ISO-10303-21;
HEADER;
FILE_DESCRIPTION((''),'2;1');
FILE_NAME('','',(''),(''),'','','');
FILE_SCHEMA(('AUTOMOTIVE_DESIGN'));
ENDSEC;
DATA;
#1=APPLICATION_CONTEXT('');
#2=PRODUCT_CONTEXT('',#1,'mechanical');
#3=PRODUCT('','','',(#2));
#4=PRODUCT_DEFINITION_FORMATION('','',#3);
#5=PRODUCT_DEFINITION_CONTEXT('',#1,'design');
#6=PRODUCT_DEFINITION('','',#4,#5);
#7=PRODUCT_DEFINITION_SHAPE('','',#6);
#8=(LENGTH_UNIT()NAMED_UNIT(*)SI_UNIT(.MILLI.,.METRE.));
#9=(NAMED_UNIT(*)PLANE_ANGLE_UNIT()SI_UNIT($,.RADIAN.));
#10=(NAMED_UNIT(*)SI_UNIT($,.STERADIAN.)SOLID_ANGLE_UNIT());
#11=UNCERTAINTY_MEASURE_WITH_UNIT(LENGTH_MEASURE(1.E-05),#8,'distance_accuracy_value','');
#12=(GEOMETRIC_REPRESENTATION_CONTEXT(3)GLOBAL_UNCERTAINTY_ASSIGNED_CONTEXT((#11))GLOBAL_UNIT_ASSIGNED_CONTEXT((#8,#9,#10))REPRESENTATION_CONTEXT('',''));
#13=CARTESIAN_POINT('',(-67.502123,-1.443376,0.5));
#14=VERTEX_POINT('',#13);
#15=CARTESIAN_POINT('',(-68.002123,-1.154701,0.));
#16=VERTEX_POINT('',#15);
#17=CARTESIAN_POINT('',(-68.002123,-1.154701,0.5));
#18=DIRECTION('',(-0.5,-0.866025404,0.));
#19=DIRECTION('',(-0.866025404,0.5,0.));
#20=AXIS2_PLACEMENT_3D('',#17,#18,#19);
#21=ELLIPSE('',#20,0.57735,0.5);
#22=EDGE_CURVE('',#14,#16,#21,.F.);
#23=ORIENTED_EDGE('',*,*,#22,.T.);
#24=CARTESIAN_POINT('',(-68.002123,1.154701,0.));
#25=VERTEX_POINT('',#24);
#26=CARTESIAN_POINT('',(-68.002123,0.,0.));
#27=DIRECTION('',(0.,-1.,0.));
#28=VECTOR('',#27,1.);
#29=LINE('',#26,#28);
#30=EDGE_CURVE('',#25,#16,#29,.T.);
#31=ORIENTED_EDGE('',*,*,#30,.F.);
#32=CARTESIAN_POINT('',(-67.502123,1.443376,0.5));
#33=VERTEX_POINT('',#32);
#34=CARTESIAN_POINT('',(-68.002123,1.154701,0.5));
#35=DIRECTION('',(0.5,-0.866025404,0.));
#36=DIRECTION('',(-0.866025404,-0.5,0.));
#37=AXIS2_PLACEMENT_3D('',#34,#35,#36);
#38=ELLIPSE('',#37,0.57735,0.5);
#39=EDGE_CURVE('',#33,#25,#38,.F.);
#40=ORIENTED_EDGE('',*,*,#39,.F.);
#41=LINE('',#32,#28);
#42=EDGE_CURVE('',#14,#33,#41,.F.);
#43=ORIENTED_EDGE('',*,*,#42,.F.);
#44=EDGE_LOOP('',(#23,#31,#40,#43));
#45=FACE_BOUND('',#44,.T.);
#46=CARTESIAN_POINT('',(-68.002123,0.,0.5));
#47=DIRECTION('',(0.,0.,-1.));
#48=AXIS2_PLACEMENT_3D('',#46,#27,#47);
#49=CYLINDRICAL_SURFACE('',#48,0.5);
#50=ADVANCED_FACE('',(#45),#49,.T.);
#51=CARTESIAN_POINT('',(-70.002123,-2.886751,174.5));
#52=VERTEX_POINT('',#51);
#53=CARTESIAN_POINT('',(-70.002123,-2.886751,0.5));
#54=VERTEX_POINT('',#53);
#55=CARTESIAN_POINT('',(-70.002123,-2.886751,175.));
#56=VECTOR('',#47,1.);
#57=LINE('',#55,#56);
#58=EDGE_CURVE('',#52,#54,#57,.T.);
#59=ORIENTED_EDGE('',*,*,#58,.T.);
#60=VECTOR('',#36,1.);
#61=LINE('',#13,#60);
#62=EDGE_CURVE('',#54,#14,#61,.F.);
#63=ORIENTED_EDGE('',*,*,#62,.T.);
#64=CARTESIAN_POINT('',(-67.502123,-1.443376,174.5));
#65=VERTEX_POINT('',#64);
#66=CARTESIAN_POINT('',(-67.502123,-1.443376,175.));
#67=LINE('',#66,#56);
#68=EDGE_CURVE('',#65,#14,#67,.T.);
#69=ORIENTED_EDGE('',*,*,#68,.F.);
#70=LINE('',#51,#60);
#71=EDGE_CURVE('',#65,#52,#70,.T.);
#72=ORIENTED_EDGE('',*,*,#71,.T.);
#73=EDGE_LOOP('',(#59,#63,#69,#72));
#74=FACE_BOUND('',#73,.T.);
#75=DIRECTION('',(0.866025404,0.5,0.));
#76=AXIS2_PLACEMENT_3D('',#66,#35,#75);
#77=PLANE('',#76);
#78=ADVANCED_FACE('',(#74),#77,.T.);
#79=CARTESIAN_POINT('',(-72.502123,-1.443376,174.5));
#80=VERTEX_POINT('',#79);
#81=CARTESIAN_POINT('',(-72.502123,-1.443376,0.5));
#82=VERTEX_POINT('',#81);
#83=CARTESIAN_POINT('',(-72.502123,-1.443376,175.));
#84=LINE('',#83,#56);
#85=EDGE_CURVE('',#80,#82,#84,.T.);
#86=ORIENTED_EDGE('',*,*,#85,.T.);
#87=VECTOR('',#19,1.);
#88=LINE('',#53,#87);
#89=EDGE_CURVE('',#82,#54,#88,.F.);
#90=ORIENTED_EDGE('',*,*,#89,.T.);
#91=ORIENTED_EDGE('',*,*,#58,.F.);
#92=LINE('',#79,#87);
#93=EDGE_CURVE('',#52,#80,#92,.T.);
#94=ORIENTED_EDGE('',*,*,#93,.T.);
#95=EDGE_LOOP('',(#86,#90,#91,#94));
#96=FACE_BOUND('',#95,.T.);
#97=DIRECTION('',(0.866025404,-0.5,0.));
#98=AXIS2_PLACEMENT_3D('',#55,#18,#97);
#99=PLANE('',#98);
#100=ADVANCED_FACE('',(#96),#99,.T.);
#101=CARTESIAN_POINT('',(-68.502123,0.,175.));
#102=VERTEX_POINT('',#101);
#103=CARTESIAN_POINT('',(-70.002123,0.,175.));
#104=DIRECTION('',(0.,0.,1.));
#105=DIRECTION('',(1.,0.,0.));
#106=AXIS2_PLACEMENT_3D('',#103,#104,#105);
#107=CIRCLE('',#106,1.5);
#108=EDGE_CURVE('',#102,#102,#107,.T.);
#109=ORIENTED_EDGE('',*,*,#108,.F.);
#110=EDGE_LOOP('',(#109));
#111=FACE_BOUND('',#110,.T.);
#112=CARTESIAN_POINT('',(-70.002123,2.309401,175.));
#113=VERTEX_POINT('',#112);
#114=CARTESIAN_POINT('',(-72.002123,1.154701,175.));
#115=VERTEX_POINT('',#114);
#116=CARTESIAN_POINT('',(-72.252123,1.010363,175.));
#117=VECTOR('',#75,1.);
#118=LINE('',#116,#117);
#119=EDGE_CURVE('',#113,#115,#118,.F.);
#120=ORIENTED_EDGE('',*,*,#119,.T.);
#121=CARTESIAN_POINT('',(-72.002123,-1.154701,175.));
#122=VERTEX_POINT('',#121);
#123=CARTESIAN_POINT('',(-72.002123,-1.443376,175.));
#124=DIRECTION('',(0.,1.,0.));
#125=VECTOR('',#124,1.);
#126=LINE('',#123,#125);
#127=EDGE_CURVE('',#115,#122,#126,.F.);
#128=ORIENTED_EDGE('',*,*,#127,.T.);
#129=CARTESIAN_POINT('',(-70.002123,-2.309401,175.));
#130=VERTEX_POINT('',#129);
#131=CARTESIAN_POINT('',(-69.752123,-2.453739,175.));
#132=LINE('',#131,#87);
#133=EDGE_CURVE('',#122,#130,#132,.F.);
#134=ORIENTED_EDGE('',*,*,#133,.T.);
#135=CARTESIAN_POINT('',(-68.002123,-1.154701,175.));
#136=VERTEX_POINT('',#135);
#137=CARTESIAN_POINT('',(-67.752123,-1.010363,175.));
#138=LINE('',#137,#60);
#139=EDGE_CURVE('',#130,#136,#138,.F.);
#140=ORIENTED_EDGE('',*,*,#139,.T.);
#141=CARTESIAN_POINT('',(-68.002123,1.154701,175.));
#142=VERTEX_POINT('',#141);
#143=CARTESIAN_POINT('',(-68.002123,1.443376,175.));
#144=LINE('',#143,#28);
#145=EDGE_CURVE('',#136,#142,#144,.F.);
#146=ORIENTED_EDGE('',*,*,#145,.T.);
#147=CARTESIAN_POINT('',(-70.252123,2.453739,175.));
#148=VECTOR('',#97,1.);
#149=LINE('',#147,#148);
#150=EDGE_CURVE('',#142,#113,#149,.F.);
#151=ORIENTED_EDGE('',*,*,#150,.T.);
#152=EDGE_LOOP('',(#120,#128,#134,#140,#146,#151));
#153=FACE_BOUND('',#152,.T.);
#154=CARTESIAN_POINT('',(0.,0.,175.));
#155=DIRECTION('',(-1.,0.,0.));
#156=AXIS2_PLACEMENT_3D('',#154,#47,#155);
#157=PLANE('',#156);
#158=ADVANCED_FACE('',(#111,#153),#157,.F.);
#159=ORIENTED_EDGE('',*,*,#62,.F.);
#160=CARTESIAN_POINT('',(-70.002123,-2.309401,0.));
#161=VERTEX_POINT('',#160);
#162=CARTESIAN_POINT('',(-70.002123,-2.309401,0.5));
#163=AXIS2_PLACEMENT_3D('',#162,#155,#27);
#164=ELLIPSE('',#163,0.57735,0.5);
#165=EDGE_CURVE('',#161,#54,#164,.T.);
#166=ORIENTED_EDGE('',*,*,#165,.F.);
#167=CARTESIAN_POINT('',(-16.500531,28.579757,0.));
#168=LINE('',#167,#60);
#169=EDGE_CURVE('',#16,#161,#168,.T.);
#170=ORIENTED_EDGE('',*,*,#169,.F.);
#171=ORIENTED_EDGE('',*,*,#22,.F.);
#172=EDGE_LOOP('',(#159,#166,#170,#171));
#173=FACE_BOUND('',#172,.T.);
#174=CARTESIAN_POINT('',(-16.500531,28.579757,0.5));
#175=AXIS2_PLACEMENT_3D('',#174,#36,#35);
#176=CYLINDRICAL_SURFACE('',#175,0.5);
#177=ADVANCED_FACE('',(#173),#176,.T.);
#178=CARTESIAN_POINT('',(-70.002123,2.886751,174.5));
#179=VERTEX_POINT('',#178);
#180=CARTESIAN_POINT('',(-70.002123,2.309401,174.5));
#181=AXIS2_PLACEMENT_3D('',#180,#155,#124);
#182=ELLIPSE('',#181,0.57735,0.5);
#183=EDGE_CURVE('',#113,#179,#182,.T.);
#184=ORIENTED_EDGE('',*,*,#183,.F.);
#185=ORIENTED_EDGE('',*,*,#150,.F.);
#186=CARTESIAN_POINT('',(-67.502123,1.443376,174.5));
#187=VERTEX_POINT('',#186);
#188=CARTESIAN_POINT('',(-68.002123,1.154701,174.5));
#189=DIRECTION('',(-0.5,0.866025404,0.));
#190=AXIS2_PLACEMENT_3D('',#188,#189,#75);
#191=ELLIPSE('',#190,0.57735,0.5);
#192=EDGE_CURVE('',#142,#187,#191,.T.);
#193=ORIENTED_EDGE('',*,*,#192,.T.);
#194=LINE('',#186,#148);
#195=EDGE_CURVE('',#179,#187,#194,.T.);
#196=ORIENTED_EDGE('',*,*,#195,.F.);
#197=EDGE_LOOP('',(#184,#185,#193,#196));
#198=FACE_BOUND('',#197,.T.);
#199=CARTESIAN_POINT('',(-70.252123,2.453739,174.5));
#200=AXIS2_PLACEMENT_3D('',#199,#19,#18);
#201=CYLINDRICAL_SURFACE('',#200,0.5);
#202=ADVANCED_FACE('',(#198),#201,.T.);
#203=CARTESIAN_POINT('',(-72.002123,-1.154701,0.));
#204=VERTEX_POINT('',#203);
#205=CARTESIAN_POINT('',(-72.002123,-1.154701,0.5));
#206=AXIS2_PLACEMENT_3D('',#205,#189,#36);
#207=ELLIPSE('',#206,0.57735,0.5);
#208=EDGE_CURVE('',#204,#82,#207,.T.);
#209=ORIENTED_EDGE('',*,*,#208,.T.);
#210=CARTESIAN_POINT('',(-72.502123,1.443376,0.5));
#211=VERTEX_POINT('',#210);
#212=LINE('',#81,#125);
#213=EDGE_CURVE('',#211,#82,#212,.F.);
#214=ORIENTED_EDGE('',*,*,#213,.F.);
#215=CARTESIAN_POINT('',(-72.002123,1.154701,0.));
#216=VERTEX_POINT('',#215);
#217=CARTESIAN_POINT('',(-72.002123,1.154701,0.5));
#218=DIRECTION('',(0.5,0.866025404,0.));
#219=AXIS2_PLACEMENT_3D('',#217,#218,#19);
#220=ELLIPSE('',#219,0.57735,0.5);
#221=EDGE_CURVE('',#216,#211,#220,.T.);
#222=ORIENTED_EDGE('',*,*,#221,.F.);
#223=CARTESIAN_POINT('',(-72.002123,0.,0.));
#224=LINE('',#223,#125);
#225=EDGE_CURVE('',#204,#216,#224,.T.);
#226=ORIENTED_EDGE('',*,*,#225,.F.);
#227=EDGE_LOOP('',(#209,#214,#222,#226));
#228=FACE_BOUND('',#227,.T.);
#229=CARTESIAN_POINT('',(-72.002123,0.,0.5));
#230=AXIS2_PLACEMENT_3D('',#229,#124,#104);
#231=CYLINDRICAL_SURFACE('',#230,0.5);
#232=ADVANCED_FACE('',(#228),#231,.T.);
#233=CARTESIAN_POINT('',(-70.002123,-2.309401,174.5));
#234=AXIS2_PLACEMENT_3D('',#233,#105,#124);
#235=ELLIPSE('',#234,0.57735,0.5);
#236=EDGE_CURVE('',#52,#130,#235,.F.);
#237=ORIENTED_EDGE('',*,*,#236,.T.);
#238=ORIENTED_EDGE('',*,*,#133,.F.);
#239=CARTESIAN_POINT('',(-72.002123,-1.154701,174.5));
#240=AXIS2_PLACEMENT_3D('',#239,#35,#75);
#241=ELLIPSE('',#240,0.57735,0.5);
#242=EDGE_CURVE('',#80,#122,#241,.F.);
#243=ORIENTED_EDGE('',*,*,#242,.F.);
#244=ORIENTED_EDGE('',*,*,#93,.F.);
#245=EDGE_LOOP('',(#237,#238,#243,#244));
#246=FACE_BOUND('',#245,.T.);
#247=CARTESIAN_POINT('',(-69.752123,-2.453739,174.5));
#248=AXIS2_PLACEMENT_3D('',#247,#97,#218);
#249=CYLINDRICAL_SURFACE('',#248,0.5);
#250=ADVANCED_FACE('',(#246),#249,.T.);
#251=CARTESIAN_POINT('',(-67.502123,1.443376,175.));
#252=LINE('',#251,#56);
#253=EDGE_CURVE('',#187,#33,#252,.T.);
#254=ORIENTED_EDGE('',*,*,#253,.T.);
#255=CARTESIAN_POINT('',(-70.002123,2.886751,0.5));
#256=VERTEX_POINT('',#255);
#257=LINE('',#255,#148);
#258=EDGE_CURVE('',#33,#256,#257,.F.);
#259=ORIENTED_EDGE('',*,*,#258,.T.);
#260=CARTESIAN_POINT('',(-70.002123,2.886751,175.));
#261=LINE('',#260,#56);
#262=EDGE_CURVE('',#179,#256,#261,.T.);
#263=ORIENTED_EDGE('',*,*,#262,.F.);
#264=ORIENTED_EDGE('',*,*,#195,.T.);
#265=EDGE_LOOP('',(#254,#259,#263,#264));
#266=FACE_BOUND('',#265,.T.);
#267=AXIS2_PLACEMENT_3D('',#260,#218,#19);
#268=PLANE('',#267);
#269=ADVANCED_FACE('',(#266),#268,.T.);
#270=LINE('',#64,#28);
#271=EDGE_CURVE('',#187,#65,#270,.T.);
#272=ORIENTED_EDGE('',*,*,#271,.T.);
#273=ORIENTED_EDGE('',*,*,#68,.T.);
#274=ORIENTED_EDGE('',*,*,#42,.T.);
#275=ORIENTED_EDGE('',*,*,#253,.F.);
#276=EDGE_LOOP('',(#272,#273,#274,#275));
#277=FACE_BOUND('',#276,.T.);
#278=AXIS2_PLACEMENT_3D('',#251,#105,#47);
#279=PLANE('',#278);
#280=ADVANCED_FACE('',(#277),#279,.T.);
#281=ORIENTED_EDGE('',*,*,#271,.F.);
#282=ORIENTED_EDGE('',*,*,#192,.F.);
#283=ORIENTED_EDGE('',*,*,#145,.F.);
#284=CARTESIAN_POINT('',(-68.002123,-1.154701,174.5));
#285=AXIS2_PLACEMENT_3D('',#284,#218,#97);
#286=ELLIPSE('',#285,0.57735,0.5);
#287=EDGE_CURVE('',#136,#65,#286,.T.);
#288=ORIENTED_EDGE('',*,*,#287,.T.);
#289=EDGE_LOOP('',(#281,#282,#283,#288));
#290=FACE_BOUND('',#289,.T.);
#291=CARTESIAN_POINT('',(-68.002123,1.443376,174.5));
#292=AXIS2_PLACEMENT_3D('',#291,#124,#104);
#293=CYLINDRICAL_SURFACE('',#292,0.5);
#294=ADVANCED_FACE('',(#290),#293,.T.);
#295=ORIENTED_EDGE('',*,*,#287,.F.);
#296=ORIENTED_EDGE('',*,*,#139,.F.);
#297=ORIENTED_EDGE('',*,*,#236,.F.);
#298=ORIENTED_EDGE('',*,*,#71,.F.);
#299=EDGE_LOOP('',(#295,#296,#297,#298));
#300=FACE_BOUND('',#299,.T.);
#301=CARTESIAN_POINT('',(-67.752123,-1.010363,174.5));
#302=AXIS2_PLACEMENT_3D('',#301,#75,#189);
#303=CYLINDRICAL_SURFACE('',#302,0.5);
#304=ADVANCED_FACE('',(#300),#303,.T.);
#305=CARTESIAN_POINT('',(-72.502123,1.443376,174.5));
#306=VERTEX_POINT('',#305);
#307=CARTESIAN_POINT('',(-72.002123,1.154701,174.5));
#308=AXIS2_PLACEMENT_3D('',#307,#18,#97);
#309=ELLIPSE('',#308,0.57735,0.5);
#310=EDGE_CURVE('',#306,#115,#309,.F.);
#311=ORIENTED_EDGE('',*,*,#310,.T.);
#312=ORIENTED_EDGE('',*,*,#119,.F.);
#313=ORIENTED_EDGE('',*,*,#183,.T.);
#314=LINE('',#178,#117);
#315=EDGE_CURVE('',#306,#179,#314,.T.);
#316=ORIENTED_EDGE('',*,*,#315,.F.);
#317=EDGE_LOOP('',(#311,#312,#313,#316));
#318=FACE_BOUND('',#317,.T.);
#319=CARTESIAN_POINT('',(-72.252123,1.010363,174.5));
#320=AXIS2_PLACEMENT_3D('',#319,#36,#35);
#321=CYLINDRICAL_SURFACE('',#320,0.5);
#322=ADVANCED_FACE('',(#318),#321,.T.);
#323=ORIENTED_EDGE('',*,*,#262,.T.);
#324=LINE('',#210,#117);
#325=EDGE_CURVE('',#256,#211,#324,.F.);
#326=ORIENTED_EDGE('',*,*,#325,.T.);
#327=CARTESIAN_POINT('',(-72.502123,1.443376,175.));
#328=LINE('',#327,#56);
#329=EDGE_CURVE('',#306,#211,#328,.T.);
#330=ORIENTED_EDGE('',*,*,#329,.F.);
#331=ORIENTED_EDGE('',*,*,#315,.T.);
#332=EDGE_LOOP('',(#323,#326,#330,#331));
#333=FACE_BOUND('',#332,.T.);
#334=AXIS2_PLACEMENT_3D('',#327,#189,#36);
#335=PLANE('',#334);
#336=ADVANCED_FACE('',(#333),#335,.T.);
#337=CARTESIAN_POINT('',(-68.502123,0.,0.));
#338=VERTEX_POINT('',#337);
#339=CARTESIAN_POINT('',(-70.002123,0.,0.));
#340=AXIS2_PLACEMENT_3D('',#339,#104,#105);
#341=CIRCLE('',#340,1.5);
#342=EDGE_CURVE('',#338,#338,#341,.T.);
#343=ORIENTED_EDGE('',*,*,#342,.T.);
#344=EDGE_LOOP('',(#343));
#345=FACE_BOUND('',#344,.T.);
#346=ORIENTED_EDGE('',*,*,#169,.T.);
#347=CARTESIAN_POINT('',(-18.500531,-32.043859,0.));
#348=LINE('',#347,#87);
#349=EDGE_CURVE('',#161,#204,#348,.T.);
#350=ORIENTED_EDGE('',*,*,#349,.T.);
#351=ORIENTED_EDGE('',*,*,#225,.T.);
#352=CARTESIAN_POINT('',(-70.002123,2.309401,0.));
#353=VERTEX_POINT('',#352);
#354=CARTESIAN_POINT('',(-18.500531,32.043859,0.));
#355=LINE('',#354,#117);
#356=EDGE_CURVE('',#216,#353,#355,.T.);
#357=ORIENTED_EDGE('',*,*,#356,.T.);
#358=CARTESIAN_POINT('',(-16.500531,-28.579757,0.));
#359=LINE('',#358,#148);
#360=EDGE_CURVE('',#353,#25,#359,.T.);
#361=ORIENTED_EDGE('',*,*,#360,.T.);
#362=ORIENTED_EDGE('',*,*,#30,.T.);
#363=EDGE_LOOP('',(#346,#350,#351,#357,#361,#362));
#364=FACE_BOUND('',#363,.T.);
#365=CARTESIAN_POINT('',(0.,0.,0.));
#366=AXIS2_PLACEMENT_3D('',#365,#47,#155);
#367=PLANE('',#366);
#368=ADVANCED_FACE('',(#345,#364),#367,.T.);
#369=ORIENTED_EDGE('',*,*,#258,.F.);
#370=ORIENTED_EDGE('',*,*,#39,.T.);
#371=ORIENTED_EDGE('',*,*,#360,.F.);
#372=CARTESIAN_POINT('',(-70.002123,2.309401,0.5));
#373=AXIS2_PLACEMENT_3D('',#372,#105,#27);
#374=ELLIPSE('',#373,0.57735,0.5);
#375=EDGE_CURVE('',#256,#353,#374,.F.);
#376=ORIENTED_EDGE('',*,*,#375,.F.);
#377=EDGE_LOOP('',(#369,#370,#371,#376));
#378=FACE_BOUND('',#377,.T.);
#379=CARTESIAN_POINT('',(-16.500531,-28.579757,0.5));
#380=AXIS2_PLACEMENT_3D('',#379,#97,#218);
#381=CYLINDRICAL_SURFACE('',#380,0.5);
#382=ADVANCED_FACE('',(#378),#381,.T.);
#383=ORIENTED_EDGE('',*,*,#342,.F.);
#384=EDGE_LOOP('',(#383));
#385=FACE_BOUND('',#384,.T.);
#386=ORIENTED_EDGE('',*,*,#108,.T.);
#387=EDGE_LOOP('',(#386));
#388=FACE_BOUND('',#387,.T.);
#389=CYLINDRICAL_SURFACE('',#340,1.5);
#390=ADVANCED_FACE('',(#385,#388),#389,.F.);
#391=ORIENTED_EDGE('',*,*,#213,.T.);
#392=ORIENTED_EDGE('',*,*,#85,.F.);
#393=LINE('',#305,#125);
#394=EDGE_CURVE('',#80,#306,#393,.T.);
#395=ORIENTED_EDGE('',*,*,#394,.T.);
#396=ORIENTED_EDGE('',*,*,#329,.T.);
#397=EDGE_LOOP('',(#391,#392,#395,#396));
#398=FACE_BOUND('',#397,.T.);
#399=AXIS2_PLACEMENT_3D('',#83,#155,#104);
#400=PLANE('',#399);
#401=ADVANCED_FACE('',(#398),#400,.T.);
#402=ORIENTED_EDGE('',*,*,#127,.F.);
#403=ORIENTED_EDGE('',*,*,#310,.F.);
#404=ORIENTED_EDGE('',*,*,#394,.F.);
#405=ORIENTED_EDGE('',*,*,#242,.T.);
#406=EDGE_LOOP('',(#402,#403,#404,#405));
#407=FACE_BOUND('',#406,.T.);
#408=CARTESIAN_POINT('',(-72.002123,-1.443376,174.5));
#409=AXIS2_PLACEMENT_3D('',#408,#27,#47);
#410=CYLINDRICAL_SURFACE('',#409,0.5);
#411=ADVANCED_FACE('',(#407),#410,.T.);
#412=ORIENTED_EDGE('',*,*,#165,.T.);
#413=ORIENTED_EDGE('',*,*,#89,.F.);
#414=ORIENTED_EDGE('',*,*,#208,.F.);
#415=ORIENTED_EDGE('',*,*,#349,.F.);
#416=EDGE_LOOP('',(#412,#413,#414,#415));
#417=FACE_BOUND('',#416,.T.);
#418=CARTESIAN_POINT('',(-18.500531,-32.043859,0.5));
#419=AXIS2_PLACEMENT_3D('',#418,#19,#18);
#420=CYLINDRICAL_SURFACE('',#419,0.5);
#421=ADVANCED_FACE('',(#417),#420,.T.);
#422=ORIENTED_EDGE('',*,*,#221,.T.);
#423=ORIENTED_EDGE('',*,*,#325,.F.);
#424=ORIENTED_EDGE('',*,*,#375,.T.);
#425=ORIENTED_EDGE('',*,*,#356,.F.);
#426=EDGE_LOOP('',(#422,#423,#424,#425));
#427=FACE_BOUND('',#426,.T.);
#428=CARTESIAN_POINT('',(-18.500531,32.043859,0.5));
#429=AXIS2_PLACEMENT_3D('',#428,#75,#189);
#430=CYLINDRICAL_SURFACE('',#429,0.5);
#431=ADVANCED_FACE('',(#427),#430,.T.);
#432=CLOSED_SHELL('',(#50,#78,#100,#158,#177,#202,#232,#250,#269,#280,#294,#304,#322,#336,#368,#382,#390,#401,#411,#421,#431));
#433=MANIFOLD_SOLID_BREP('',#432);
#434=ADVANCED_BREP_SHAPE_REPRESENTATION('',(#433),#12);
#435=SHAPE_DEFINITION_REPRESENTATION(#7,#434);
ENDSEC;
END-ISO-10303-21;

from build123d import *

# Parameters (mm, degrees)
RESSALTO_EXTRUS_O1_DEPTH = 175
FILETE1_R                = 0.5
ESBO_O2_R                = 1.5
CORTE_EXTRUS_O1_DEPTH    = 190.446275038


with BuildPart() as part:
    # Esboço1 → Ressalto-extrusão1 (new body)
    with BuildSketch(Plane(origin=(0, 0, 0), x_dir=(-1, 0, 0), z_dir=(0, 0, -1))):
        Polygon((67.502122675, -1.443375673), (70.002122675, -2.886751346), (72.502122675, -1.443375673), (72.502122675, 1.443375673), (70.002122675, 2.886751346), (67.502122675, 1.443375673), align=None)
    extrude(amount=-RESSALTO_EXTRUS_O1_DEPTH)

    # Filete1
    filete1_edges = [part.edges().sort_by_distance(p)[0] for p in [
        (-71.252122675, -2.165063509, 175),
        (-72.502122675, 0, 175),
        (-71.252122675, 2.165063509, 175),
        (-68.752122675, 2.165063509, 175),
        (-67.502122675, 0, 175),
        (-68.752122675, 2.165063509, 0),
        (-71.252122675, 2.165063509, 0),
        (-72.502122675, 0, 0),
        (-71.252122675, -2.165063509, 0),
        (-68.752122675, -2.165063509, 0),
        (-67.502122675, 0, 0),
        (-68.752122675, -2.165063509, 175),
    ]]
    fillet(filete1_edges, radius=FILETE1_R)

    # Esboço2 → Corte-extrusão1 (cut, through all)
    with BuildSketch(Plane.XY.offset(175)):
        with Locations((-70.002122675, 0)):
            Circle(ESBO_O2_R)
    extrude(amount=-CORTE_EXTRUS_O1_DEPTH, mode=Mode.SUBTRACT)


solid = part.part
